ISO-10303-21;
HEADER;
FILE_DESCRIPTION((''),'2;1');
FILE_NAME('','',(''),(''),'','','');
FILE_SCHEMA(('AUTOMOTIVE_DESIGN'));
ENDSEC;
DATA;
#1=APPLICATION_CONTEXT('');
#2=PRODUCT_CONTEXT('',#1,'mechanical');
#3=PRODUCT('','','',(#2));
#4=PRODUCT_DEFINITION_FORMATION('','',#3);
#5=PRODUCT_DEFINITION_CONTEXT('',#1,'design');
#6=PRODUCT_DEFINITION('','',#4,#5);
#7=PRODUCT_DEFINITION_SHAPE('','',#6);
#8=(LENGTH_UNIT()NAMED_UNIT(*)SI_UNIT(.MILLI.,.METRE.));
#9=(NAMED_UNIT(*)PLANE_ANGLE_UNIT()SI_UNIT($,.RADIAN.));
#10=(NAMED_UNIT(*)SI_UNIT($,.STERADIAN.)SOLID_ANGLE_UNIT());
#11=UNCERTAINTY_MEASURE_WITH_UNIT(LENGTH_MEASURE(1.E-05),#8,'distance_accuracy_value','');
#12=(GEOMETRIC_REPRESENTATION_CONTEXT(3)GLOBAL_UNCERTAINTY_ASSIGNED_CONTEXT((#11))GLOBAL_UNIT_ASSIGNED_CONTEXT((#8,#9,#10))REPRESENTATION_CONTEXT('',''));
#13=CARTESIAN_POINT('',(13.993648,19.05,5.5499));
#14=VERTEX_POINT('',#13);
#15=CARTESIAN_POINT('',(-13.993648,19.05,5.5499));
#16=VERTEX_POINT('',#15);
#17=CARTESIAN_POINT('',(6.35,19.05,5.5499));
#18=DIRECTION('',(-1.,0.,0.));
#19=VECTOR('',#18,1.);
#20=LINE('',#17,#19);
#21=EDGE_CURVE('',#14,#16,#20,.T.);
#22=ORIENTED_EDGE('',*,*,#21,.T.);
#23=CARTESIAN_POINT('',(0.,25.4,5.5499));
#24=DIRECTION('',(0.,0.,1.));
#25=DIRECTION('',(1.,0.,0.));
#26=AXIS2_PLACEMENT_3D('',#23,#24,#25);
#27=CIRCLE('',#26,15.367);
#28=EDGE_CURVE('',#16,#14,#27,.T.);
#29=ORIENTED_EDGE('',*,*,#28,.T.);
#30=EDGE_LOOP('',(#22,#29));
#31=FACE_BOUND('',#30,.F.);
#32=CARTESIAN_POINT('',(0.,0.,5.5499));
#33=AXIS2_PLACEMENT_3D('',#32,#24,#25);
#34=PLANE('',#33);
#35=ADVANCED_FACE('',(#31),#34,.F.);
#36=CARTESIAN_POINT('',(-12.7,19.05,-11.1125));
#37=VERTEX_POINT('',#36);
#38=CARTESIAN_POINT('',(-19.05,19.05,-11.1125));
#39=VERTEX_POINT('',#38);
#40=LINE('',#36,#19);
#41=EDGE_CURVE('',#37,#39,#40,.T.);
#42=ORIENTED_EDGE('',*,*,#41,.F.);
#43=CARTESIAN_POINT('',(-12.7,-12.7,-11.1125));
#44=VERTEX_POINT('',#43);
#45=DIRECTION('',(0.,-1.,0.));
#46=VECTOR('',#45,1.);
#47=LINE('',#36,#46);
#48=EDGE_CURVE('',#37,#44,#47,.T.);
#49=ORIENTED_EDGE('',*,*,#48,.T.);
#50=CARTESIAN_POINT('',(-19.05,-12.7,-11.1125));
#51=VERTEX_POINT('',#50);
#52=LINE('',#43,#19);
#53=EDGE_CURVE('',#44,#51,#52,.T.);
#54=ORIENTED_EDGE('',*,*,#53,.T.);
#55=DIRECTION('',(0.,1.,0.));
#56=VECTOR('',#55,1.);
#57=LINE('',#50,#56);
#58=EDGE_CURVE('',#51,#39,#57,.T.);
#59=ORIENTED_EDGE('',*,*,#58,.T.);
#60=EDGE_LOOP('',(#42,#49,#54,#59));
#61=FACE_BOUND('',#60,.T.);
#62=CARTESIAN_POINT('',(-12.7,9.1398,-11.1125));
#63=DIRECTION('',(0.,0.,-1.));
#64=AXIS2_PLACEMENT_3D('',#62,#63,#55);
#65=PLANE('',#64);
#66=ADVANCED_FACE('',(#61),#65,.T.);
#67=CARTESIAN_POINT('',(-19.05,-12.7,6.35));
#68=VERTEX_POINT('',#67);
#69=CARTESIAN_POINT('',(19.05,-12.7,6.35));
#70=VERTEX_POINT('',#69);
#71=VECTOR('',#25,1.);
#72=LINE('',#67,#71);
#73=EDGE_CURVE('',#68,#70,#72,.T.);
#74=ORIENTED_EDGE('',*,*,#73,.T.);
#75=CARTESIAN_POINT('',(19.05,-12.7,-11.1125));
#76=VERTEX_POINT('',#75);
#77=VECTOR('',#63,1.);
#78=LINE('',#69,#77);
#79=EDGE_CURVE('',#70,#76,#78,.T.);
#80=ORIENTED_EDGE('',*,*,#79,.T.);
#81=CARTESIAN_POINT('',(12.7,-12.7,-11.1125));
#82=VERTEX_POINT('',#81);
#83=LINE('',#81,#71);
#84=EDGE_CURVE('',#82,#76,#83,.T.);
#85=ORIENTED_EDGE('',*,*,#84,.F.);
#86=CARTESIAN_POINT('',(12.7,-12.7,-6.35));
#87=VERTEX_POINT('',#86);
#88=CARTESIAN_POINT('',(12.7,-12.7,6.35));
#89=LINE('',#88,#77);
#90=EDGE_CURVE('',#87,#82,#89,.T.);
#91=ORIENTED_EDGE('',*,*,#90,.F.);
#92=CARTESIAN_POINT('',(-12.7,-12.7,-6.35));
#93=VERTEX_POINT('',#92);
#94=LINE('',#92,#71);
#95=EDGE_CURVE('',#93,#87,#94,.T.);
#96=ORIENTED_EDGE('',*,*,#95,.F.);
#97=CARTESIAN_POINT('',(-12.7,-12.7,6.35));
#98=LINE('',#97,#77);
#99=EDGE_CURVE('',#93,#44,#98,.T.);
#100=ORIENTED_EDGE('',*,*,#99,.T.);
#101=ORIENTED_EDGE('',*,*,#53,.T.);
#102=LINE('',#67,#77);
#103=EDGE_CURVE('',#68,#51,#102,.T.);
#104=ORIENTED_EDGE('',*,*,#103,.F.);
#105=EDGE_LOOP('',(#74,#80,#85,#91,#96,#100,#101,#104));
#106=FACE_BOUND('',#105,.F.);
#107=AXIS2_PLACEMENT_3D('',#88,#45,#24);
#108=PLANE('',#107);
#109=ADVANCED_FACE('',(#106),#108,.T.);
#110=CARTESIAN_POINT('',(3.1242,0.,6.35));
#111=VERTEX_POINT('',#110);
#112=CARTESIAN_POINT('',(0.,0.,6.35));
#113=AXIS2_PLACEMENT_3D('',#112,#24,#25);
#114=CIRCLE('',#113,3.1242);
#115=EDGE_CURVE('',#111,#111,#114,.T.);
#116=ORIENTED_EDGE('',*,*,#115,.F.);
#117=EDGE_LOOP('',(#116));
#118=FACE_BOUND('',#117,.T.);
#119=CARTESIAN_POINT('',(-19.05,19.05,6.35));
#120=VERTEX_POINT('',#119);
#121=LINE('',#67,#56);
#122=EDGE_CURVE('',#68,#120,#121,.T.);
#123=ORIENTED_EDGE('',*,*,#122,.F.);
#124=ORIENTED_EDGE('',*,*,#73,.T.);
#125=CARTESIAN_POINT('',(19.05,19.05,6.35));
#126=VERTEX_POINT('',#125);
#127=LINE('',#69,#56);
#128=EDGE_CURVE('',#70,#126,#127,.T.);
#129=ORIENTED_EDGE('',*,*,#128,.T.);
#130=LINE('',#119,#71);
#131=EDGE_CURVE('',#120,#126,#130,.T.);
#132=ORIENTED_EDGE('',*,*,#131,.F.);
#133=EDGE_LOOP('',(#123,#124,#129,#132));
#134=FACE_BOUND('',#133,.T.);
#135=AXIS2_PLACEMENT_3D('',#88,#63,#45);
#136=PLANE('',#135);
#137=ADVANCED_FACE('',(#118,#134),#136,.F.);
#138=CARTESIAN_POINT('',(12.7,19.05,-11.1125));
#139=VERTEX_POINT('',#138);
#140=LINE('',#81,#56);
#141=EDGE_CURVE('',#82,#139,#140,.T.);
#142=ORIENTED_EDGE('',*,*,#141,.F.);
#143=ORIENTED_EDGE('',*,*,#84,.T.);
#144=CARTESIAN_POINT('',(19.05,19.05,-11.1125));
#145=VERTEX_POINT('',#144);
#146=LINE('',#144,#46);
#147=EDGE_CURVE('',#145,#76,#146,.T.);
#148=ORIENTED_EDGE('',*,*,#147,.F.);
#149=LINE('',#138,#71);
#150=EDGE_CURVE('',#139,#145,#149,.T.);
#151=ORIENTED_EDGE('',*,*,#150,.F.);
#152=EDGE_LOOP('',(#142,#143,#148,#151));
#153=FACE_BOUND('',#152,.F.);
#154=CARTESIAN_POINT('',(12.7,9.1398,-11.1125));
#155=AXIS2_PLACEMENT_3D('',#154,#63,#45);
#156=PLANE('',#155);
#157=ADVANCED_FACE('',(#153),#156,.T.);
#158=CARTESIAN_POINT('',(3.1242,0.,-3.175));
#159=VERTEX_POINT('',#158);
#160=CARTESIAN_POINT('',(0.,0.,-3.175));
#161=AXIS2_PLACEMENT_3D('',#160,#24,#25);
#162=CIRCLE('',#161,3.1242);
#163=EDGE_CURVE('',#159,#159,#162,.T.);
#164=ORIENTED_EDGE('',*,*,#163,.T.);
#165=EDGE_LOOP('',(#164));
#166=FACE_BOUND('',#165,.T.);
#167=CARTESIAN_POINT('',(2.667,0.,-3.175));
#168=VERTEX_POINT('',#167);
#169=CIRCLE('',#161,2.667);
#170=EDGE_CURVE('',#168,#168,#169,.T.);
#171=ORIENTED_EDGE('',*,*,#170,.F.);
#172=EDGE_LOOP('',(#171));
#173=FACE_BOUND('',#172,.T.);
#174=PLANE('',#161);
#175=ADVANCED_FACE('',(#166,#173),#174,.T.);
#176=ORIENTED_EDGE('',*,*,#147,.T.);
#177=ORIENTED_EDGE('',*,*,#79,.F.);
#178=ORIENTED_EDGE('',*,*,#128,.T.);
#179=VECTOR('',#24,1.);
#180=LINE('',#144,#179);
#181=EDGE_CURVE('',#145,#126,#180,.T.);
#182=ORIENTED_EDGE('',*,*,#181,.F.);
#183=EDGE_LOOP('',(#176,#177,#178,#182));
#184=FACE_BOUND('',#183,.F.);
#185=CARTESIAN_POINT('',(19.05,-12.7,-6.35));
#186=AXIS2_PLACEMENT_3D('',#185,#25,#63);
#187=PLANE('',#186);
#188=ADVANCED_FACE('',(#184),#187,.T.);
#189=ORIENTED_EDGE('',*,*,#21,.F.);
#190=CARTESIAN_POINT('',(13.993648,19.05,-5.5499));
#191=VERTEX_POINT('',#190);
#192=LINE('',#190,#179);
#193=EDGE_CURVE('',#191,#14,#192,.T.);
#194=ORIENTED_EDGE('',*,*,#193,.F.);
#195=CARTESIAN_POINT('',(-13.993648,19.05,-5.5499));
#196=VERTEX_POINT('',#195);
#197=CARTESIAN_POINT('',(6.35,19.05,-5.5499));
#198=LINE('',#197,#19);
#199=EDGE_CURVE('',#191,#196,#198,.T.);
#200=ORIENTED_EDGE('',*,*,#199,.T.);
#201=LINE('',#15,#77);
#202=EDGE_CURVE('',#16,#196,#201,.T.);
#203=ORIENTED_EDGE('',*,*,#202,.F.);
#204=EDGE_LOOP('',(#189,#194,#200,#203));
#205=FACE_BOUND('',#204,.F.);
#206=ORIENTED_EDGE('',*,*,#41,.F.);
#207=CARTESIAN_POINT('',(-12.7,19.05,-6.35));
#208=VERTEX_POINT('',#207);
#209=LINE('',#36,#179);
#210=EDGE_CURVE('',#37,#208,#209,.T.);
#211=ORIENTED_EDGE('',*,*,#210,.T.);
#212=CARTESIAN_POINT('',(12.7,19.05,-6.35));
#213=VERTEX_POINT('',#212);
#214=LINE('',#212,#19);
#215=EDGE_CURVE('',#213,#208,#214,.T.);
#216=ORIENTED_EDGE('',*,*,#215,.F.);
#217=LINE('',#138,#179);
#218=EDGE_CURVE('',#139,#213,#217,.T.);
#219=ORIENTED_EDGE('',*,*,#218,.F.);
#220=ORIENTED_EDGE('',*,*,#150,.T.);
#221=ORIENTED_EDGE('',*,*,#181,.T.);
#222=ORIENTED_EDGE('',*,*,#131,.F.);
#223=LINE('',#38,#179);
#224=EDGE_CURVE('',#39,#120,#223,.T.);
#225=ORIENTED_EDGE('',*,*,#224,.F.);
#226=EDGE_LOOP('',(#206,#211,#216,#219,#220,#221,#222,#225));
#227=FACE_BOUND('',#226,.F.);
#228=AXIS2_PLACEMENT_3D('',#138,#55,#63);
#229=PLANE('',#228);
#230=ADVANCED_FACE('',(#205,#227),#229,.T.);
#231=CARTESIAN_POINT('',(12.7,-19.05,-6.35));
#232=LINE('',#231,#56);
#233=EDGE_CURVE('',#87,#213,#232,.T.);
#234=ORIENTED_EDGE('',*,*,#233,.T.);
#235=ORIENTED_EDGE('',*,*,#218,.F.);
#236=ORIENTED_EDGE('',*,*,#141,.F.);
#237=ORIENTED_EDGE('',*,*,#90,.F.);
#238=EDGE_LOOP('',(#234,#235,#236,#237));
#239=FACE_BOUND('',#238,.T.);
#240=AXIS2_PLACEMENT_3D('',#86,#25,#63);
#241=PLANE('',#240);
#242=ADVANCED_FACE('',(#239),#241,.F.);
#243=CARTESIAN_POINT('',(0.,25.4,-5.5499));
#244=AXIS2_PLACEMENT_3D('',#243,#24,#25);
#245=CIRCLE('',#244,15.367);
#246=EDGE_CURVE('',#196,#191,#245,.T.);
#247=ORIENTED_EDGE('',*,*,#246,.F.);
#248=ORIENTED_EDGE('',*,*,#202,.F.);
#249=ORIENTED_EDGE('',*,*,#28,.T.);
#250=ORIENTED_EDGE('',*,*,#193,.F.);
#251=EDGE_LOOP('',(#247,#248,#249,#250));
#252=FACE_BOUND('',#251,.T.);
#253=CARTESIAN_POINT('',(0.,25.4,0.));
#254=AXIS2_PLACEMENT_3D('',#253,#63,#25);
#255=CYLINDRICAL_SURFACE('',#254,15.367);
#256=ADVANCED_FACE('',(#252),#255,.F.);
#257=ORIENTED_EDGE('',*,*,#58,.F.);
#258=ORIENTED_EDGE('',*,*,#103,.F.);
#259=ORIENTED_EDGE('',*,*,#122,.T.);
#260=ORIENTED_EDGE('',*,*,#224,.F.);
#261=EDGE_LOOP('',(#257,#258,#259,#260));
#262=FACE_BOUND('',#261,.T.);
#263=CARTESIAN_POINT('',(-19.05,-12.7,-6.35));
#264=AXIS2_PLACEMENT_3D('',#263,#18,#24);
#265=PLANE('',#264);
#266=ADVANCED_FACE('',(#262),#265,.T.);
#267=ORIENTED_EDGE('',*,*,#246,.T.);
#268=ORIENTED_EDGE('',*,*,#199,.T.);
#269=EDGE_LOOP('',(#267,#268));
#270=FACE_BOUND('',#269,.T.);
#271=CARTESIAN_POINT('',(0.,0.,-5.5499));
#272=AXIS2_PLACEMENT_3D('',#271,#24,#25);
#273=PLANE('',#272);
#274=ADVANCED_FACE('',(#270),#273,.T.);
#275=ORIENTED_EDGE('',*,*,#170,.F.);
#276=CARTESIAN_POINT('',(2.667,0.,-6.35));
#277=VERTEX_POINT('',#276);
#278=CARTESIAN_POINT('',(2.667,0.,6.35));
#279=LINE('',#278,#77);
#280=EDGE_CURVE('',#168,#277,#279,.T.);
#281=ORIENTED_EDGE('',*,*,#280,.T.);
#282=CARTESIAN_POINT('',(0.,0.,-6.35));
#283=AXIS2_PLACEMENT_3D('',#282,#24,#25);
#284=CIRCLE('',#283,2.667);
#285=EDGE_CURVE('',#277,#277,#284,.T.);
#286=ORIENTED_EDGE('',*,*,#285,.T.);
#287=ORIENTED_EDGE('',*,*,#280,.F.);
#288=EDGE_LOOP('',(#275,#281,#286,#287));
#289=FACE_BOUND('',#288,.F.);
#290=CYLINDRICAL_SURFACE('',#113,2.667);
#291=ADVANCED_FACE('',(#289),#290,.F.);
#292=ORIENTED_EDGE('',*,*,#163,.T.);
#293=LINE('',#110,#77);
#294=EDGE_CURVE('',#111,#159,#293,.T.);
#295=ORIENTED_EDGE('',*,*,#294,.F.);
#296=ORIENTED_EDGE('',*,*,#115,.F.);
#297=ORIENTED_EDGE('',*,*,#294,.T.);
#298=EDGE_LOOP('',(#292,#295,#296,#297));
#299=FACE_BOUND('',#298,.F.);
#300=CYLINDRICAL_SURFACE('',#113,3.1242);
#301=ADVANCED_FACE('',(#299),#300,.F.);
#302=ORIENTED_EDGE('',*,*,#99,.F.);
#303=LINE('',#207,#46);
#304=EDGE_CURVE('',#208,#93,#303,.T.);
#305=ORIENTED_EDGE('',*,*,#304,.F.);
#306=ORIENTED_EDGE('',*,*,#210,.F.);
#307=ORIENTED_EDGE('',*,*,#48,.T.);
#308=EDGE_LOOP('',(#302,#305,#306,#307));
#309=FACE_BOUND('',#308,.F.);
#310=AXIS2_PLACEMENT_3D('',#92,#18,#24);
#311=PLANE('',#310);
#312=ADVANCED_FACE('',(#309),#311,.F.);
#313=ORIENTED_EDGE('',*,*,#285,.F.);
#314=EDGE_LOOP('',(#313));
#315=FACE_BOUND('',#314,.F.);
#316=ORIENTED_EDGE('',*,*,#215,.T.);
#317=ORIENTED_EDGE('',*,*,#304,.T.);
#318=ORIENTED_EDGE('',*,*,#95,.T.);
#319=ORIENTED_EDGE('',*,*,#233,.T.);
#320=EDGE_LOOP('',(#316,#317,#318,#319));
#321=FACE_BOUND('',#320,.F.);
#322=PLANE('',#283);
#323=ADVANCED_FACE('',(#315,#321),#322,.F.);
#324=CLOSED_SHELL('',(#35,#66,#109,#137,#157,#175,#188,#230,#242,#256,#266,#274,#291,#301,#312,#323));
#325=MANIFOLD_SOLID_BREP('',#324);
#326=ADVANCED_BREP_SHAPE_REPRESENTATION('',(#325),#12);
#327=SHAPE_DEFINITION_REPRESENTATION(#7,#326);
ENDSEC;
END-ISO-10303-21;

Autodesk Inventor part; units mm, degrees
ref_plane "YZ Plane" through (0, 0, 0) normal (1, 0, 0) x (0, 1, 0)
ref_plane "XZ Plane" through (0, 0, 0) normal (0, 1, 0) x (-1, 0, 0)
ref_plane "XY Plane" through (0, 0, 0) normal (0, 0, 1) x (1, 0, 0)
sketch "Sketch3" plane through (0, 0, 0) normal (0, 0, 1) x (1, 0, 0)
  line L0 (-12.7, -19.05) -> (12.7, -19.05)
  line L1 (12.7, -19.05) -> (12.7, 19.05)
  line L2 (12.7, 19.05) -> (-12.7, 19.05)
  line L3 (-12.7, 19.05) -> (-12.7, -19.05)
  line L4 (-12.7, -19.05) -> (12.7, 19.05) construction
  line L5 (12.7, -19.05) -> (-12.7, 19.05) construction
  point P0 (0, 0)
  dimension "d0" = 25.4
  dimension "d1" = 38.1
extrude "Extrusion1" add sketch "Sketch3" along normal mid plane 12.7
sketch "Sketch4" plane through (0, 0, 6.35) normal (0, 0, 1) x (1, 0, 0)
  circle A0 centre (0, 0) radius 2.667
  dimension "d4" = 5.334
extrude "Extrusion2" cut sketch "Sketch4" against normal through all
sketch "Sketch5" plane through (-12.7, -19.05, 6.35) normal (-1, 0, 0) x (0, 0, 1)
  line L0 (3.175, 6.35) -> (50.8, 6.35) projected
  line L1 (-12.7, 38.1) -> (-12.7, 0) projected
  line L2 (0, 0) -> (0, 38.1) projected
  line L3 (-12.7, 0) -> (0, 0)
  line L4 (0, 0) -> (0, 6.35)
  line L5 (0, 6.35) -> (-12.7, 6.35)
  line L6 (-12.7, 6.35) -> (-12.7, 0)
  point P0 (-6.35, 19.05)
  point P1 (-12.7, 6.35)
  dimension "d9" = 6.35
extrude "Extrusion3" cut sketch "Sketch5" against normal through all
sketch "Sketch8" plane through (-12.7, -12.7, -6.35) normal (-1, 0, 0) x (0, 0, 1)
  line L0 (-4.7625, 21.8398) -> (-4.7625, 13.2284) projected
  line L1 (12.7, 0) -> (12.7, 31.75) projected
  line L2 (12.7, 0) -> (-4.7625, 0)
  line L3 (-4.7625, 0) -> (-4.7625, 31.75)
  line L4 (-4.7625, 31.75) -> (12.7, 31.75)
  line L5 (12.7, 31.75) -> (12.7, 0)
  point P0 (6.35, 12.7)
  point P1 (-4.7625, 13.2284)
extrude "Extrusion5" add sketch "Sketch8" along normal blind 6.35
mirror "Mirror1" about plane through (0, 0, 0) normal (1, 0, 0) of "Extrusion5"
sketch "Sketch6" plane through (0, 0, 0) normal (0, 0, 1) x (1, 0, 0)
  circle A0 centre (0, 25.4) radius 15.367
  point P0 (0, 0)
  dimension "d10" = 25.4
  dimension "d13" = 30.734
extrude "cutOutForGuide" cut sketch "Sketch6" along normal mid plane 11.0998
sketch "Sketch9" plane through (0, 0, 6.35) normal (0, 0, 1) x (1, 0, 0)
  circle A0 centre (0, 0) radius 3.1242
  dimension "d16" = 6.2484
extrude "Extrusion6" cut sketch "Sketch9" against normal blind 9.525
properties part number "preventWireJumpingSingleSupport" material "PBT Plastic"
